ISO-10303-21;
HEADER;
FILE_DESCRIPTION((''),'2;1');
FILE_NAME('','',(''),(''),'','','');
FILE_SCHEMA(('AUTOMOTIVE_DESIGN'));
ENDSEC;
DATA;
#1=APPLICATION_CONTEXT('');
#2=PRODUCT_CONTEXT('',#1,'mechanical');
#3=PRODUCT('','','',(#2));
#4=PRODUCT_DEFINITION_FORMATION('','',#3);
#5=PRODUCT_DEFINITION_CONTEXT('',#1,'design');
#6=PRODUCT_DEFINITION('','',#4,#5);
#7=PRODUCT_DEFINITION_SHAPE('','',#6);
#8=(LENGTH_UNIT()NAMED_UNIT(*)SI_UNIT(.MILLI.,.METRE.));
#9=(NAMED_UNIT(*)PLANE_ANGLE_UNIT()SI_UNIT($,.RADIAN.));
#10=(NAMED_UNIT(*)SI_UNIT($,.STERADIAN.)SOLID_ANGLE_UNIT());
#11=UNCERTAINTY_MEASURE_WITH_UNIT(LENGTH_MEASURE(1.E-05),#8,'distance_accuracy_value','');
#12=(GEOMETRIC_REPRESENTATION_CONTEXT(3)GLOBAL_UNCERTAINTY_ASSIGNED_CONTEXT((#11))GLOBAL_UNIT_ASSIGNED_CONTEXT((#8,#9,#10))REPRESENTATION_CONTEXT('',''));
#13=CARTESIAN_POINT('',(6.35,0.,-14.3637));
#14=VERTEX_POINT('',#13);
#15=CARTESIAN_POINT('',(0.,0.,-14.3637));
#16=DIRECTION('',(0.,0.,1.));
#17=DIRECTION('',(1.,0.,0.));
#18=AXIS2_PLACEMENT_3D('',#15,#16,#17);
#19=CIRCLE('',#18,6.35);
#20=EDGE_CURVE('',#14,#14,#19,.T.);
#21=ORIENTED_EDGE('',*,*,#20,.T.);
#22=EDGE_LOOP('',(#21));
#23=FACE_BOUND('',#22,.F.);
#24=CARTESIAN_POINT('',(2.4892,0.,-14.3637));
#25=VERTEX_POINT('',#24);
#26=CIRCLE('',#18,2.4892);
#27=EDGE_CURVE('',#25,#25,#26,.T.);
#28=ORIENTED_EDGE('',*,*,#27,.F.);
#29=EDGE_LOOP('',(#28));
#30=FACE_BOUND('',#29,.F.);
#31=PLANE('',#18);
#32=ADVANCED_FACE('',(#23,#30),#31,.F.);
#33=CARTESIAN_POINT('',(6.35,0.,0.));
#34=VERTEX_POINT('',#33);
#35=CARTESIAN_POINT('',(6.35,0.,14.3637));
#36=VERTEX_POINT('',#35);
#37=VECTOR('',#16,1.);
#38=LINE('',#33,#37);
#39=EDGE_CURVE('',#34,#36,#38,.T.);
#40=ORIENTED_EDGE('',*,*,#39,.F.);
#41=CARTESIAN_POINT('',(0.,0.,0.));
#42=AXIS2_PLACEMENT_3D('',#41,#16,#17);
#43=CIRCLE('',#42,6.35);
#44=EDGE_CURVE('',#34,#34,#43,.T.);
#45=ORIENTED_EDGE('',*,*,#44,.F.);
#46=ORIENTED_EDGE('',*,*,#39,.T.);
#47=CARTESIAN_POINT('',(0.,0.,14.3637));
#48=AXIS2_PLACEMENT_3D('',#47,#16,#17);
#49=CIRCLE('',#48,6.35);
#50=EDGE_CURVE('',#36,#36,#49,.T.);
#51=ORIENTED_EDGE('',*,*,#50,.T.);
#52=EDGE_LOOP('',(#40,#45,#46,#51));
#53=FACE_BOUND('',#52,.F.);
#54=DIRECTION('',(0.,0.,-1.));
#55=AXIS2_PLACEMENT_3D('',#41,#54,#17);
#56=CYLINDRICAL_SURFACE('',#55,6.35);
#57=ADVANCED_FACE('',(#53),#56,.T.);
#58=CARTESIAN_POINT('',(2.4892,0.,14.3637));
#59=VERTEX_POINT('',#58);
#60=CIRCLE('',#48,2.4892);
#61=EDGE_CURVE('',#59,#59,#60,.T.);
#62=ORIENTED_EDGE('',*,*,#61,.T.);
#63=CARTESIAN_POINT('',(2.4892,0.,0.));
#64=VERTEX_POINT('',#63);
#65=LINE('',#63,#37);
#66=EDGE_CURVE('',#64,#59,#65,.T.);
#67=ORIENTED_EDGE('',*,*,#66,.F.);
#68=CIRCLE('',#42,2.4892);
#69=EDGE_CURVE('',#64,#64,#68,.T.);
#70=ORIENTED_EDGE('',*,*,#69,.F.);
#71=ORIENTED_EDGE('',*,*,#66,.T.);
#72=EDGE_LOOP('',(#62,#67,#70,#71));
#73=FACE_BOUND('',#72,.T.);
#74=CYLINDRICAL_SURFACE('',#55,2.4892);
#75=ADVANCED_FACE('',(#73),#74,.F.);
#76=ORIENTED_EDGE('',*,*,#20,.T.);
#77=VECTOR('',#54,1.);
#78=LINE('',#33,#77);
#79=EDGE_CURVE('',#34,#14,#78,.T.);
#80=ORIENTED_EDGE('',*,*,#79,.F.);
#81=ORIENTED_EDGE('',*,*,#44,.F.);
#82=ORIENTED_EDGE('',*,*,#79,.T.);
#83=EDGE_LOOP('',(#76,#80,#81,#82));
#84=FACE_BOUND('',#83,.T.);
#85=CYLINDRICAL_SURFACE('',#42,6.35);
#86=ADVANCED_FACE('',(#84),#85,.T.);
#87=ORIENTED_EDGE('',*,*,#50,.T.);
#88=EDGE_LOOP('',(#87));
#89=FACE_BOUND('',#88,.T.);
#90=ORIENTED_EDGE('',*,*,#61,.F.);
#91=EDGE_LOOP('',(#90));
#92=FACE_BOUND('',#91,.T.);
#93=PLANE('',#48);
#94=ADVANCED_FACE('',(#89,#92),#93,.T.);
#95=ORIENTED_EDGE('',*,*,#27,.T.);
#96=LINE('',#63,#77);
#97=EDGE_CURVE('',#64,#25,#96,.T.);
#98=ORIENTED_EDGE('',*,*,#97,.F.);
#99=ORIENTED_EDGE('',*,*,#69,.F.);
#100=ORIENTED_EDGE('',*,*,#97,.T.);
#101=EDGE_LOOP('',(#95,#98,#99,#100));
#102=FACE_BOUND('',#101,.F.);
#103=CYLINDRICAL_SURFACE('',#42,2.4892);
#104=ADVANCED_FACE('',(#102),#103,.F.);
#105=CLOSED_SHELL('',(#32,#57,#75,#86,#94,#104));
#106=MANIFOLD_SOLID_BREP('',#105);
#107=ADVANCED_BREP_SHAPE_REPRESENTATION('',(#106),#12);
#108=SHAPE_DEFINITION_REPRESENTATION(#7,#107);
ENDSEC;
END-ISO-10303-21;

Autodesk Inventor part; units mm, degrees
ref_plane "YZ Plane" through (0, 0, 0) normal (1, 0, 0) x (0, 1, 0)
ref_plane "XZ Plane" through (0, 0, 0) normal (0, 1, 0) x (-1, 0, 0)
ref_plane "XY Plane" through (0, 0, 0) normal (0, 0, 1) x (1, 0, 0)
sketch "Sketch1" plane through (0, 0, 0) normal (0, 0, 1) x (1, 0, 0)
  circle A0 centre (0, 0) radius 2.4892
  circle A1 centre (0, 0) radius 6.35
  dimension "d0" = 4.9784
  dimension "d1" = 12.7
extrude "Extrusion1" add sketch "Sketch1" along normal mid plane 28.7274
properties part number "10-32 0.5 1.131 Inch Stand Off" material "Aluminum 6061"
